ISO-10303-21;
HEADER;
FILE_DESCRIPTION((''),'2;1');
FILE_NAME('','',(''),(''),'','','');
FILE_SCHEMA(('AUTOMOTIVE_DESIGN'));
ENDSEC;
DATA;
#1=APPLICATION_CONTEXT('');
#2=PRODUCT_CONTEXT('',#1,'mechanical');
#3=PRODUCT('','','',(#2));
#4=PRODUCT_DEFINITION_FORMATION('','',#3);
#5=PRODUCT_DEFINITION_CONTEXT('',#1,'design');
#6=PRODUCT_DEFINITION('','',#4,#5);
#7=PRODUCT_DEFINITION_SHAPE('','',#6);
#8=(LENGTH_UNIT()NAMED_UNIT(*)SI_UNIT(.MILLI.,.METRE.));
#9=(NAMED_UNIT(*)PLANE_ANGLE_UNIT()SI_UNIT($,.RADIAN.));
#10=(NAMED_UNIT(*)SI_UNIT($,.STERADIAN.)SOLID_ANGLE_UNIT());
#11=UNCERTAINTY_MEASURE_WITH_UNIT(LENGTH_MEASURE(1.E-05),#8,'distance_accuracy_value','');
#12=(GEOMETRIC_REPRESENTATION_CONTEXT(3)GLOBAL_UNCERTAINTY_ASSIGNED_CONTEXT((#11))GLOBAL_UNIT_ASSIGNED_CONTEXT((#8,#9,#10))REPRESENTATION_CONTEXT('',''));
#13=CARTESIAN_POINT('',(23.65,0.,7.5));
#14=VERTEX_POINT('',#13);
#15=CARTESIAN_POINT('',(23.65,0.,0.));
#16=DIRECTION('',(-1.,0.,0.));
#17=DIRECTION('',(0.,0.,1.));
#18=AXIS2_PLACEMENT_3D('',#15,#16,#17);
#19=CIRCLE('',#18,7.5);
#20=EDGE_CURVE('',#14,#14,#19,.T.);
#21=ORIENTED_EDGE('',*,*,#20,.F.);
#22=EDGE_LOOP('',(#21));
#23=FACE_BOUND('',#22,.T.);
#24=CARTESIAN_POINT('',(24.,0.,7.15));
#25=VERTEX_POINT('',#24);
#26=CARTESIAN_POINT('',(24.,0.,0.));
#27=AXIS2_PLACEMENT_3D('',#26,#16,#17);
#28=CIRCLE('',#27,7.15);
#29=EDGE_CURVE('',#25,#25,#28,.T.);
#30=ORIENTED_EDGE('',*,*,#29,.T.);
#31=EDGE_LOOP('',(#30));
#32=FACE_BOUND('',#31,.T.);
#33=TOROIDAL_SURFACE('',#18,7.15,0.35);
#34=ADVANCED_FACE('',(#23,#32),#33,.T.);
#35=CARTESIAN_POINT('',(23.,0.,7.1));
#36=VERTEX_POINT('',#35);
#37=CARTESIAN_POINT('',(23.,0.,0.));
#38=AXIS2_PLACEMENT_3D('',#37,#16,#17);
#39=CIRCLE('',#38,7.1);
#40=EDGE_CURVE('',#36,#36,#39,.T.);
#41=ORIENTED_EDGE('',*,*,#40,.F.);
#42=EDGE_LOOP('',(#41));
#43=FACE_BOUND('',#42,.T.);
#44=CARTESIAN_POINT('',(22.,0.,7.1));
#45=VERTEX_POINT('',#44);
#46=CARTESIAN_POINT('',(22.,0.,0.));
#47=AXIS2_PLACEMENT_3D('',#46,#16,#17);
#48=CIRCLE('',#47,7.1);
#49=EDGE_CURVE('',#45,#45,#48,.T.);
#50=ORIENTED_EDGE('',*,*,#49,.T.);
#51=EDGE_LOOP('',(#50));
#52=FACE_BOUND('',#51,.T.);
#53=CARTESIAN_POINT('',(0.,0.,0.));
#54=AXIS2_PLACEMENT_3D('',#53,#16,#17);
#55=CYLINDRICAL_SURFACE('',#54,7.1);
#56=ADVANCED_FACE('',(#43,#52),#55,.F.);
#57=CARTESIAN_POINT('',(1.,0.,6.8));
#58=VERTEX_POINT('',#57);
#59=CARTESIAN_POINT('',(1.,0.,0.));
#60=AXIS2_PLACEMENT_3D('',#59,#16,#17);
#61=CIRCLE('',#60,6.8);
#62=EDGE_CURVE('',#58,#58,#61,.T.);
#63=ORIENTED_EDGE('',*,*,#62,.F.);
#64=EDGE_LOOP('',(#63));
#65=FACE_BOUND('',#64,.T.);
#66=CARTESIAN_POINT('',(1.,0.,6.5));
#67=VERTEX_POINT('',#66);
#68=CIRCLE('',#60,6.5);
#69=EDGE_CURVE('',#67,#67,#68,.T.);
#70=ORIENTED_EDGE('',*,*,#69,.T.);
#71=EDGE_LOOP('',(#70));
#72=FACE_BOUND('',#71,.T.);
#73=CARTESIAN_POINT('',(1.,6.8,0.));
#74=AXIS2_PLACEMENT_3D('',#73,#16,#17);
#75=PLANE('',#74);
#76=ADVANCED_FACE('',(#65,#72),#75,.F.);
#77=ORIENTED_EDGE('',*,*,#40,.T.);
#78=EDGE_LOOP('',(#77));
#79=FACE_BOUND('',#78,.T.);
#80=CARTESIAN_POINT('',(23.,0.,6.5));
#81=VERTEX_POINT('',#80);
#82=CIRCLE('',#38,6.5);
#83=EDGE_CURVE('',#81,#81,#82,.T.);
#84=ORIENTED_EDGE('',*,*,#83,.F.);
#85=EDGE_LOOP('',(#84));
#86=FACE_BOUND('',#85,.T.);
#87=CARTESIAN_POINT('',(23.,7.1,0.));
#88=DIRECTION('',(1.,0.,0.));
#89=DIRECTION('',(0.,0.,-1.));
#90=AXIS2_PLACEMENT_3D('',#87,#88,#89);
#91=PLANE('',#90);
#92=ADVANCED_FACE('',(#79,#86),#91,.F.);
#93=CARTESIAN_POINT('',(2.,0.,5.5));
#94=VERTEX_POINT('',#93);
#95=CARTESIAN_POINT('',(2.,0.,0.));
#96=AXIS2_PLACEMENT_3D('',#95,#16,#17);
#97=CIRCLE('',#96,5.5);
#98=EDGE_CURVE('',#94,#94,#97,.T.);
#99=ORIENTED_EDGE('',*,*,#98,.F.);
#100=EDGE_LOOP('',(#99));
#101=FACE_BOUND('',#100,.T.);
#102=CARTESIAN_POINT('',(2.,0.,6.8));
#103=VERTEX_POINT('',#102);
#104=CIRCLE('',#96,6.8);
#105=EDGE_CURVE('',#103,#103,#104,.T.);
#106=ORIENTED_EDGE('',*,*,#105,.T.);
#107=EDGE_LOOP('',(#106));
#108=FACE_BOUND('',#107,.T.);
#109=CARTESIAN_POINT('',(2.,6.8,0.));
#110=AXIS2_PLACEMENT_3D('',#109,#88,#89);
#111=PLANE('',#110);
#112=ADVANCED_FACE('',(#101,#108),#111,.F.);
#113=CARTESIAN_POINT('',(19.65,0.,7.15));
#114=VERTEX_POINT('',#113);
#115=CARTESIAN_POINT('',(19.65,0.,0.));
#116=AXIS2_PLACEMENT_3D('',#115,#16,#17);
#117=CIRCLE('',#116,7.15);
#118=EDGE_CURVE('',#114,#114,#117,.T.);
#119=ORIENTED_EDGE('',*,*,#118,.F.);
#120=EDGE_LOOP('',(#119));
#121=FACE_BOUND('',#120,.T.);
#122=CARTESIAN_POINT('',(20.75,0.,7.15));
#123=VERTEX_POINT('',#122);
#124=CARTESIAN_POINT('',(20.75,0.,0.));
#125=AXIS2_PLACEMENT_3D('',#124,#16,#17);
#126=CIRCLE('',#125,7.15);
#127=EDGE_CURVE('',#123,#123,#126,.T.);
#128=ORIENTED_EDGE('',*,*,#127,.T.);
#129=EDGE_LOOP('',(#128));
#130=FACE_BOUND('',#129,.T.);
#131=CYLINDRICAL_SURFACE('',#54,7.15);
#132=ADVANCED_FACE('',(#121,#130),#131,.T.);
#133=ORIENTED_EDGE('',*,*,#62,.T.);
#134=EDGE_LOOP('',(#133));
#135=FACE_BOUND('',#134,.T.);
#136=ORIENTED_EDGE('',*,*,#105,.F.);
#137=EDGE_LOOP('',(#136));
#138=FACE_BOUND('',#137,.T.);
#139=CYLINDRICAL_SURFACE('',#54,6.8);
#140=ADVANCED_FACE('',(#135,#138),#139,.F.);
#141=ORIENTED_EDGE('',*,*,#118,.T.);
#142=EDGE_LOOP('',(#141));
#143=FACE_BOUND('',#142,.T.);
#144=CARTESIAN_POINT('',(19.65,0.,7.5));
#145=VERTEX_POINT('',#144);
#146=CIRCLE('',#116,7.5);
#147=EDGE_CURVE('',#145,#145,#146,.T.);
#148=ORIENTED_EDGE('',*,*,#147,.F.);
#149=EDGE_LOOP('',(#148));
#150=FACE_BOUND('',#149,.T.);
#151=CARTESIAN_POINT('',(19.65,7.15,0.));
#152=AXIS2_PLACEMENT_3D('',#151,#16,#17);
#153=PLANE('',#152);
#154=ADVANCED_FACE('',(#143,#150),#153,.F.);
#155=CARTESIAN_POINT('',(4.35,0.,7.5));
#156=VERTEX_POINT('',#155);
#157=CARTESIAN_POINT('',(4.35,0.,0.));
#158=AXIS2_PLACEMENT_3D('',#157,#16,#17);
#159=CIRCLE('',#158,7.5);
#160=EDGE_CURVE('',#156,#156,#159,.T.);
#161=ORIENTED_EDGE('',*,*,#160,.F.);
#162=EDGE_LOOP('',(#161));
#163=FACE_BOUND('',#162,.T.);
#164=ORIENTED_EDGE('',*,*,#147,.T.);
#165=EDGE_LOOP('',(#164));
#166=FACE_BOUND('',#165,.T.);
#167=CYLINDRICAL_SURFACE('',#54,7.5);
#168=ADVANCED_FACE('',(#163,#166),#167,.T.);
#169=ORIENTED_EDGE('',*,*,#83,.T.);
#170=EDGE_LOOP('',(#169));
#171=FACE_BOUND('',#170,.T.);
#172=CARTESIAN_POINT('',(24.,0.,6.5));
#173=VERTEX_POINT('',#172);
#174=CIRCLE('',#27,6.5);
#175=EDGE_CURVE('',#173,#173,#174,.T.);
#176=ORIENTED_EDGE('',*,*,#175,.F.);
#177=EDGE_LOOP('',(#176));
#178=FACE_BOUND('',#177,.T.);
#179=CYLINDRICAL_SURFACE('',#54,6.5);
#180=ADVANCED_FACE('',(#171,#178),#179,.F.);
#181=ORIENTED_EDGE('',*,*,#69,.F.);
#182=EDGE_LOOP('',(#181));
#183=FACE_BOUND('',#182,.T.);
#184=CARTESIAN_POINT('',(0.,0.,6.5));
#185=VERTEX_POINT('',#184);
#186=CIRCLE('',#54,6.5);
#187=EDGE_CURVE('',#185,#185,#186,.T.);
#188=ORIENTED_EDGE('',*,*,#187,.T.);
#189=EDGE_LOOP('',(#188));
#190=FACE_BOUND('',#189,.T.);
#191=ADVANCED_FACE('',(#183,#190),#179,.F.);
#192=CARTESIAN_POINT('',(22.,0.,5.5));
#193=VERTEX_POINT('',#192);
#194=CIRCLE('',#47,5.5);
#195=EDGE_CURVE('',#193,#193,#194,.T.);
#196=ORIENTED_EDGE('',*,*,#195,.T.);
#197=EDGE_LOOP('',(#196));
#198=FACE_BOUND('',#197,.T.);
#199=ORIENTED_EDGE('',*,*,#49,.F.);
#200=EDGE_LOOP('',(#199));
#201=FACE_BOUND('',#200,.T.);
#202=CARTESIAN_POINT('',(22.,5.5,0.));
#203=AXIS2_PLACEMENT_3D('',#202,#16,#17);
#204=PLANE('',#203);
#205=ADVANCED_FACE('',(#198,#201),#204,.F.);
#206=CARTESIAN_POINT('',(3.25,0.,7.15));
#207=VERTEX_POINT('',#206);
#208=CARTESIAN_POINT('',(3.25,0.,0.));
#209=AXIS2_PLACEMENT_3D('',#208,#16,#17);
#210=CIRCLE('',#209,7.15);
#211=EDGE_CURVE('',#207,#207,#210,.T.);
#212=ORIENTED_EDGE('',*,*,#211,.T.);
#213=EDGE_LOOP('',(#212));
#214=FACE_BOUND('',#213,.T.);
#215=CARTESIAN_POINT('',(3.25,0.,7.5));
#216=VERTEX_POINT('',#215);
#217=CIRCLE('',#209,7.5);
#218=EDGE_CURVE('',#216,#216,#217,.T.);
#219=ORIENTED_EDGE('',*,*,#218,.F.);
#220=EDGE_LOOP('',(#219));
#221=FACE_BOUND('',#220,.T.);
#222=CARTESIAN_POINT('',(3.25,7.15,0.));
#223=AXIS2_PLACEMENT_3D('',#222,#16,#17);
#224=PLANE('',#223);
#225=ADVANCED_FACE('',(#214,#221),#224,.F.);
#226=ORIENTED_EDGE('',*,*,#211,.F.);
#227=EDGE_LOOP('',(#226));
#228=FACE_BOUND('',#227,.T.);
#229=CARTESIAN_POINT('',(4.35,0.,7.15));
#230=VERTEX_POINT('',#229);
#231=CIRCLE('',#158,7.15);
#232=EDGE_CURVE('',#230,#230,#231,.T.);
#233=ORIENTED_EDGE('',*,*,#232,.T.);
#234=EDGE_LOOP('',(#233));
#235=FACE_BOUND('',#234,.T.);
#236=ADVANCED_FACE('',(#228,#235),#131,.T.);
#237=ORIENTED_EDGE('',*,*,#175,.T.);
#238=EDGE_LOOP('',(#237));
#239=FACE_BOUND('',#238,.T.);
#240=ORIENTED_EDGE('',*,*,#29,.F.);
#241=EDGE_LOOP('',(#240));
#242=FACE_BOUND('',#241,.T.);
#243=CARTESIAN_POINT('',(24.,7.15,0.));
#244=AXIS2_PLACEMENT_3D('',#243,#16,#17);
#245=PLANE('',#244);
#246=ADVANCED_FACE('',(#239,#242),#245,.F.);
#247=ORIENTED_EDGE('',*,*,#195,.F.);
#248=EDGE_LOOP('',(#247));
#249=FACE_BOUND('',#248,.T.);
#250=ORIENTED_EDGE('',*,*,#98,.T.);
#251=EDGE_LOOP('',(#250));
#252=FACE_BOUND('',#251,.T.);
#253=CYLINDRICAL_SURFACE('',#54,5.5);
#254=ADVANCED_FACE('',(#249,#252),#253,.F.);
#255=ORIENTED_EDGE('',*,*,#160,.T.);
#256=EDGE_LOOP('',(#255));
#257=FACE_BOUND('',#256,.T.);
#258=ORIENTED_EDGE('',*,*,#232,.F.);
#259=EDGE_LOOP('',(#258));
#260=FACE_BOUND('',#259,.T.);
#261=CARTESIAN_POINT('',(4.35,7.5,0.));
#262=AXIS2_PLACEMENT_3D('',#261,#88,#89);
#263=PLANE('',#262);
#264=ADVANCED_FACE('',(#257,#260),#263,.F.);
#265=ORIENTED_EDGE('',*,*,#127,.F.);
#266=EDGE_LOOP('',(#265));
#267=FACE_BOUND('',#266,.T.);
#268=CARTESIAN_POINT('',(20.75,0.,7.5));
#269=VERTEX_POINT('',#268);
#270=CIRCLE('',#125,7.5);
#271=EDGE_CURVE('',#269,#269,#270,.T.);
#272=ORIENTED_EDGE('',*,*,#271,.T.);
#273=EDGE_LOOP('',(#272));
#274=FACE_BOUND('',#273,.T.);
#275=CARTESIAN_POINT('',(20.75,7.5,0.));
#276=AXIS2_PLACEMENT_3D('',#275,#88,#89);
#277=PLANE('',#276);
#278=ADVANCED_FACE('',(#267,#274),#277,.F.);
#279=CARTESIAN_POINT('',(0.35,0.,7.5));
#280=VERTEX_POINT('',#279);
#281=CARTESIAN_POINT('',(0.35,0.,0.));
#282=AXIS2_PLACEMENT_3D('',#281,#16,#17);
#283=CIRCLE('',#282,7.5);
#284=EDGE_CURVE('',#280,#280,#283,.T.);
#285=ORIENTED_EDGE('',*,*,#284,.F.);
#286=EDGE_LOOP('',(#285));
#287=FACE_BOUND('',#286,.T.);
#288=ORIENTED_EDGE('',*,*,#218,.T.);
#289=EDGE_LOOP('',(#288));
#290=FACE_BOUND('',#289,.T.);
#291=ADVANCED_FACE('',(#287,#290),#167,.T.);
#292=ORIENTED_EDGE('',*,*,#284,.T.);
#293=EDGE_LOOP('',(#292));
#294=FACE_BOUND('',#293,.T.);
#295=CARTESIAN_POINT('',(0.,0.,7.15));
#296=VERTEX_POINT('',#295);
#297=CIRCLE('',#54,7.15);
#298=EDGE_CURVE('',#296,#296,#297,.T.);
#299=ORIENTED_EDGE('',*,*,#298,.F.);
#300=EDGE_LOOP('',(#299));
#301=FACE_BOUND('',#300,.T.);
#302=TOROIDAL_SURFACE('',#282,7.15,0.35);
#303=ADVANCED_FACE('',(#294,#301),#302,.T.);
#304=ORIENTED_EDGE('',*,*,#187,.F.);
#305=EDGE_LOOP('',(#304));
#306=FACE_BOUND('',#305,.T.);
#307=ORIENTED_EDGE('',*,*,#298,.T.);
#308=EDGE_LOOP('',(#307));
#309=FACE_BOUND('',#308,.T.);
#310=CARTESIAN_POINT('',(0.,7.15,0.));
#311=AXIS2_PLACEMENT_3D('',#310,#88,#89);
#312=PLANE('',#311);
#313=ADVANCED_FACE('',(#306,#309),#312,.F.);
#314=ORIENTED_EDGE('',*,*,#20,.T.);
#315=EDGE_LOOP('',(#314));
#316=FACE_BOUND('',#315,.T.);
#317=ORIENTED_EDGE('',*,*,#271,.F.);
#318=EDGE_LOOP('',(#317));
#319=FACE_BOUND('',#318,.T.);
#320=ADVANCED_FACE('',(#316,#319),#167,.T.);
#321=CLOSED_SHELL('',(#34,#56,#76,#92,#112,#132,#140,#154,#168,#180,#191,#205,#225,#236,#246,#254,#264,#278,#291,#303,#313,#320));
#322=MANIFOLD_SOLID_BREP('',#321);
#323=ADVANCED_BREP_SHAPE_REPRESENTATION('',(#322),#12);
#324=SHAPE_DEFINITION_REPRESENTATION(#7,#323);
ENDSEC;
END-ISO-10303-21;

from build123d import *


with BuildPart() as part:
    # Croquis1 → Revolución1 (revolve)
    with BuildSketch(Plane.XY, mode=Mode.PRIVATE) as revoluci_n1_sk:
        with BuildLine():
            Line((24, 7.15), (24, 6.5))
            Line((24, 6.5), (23, 6.5))
            Line((23, 6.5), (23, 7.1))
            Line((23, 7.1), (22, 7.1))
            Line((22, 7.1), (22, 5.5))
            Line((22, 5.5), (2, 5.5))
            Line((2, 5.5), (2, 6.8))
            Line((2, 6.8), (1, 6.8))
            Line((1, 6.8), (1, 6.5))
            Line((1, 6.5), (0, 6.5))
            Line((0, 6.5), (0, 7.15))
            ThreePointArc((0, 7.15), (0.102512627, 7.397487373), (0.35, 7.5))
            Line((0.35, 7.5), (3.25, 7.5))
            Line((3.25, 7.5), (3.25, 7.15))
            Line((3.25, 7.15), (4.35, 7.15))
            Line((4.35, 7.15), (4.35, 7.5))
            Line((4.35, 7.5), (19.65, 7.5))
            Line((19.65, 7.5), (19.65, 7.15))
            Line((19.65, 7.15), (20.75, 7.15))
            Line((20.75, 7.15), (20.75, 7.5))
            Line((20.75, 7.5), (23.65, 7.5))
            ThreePointArc((23.65, 7.5), (23.897487373, 7.397487373), (24, 7.15))
        make_face()
    revolve(revoluci_n1_sk.sketch.rotate(Axis((0, 0, 0), (1, 0, 0)), 90), axis=Axis((0, 0, 0), (1, 0, 0)))


solid = part.part
